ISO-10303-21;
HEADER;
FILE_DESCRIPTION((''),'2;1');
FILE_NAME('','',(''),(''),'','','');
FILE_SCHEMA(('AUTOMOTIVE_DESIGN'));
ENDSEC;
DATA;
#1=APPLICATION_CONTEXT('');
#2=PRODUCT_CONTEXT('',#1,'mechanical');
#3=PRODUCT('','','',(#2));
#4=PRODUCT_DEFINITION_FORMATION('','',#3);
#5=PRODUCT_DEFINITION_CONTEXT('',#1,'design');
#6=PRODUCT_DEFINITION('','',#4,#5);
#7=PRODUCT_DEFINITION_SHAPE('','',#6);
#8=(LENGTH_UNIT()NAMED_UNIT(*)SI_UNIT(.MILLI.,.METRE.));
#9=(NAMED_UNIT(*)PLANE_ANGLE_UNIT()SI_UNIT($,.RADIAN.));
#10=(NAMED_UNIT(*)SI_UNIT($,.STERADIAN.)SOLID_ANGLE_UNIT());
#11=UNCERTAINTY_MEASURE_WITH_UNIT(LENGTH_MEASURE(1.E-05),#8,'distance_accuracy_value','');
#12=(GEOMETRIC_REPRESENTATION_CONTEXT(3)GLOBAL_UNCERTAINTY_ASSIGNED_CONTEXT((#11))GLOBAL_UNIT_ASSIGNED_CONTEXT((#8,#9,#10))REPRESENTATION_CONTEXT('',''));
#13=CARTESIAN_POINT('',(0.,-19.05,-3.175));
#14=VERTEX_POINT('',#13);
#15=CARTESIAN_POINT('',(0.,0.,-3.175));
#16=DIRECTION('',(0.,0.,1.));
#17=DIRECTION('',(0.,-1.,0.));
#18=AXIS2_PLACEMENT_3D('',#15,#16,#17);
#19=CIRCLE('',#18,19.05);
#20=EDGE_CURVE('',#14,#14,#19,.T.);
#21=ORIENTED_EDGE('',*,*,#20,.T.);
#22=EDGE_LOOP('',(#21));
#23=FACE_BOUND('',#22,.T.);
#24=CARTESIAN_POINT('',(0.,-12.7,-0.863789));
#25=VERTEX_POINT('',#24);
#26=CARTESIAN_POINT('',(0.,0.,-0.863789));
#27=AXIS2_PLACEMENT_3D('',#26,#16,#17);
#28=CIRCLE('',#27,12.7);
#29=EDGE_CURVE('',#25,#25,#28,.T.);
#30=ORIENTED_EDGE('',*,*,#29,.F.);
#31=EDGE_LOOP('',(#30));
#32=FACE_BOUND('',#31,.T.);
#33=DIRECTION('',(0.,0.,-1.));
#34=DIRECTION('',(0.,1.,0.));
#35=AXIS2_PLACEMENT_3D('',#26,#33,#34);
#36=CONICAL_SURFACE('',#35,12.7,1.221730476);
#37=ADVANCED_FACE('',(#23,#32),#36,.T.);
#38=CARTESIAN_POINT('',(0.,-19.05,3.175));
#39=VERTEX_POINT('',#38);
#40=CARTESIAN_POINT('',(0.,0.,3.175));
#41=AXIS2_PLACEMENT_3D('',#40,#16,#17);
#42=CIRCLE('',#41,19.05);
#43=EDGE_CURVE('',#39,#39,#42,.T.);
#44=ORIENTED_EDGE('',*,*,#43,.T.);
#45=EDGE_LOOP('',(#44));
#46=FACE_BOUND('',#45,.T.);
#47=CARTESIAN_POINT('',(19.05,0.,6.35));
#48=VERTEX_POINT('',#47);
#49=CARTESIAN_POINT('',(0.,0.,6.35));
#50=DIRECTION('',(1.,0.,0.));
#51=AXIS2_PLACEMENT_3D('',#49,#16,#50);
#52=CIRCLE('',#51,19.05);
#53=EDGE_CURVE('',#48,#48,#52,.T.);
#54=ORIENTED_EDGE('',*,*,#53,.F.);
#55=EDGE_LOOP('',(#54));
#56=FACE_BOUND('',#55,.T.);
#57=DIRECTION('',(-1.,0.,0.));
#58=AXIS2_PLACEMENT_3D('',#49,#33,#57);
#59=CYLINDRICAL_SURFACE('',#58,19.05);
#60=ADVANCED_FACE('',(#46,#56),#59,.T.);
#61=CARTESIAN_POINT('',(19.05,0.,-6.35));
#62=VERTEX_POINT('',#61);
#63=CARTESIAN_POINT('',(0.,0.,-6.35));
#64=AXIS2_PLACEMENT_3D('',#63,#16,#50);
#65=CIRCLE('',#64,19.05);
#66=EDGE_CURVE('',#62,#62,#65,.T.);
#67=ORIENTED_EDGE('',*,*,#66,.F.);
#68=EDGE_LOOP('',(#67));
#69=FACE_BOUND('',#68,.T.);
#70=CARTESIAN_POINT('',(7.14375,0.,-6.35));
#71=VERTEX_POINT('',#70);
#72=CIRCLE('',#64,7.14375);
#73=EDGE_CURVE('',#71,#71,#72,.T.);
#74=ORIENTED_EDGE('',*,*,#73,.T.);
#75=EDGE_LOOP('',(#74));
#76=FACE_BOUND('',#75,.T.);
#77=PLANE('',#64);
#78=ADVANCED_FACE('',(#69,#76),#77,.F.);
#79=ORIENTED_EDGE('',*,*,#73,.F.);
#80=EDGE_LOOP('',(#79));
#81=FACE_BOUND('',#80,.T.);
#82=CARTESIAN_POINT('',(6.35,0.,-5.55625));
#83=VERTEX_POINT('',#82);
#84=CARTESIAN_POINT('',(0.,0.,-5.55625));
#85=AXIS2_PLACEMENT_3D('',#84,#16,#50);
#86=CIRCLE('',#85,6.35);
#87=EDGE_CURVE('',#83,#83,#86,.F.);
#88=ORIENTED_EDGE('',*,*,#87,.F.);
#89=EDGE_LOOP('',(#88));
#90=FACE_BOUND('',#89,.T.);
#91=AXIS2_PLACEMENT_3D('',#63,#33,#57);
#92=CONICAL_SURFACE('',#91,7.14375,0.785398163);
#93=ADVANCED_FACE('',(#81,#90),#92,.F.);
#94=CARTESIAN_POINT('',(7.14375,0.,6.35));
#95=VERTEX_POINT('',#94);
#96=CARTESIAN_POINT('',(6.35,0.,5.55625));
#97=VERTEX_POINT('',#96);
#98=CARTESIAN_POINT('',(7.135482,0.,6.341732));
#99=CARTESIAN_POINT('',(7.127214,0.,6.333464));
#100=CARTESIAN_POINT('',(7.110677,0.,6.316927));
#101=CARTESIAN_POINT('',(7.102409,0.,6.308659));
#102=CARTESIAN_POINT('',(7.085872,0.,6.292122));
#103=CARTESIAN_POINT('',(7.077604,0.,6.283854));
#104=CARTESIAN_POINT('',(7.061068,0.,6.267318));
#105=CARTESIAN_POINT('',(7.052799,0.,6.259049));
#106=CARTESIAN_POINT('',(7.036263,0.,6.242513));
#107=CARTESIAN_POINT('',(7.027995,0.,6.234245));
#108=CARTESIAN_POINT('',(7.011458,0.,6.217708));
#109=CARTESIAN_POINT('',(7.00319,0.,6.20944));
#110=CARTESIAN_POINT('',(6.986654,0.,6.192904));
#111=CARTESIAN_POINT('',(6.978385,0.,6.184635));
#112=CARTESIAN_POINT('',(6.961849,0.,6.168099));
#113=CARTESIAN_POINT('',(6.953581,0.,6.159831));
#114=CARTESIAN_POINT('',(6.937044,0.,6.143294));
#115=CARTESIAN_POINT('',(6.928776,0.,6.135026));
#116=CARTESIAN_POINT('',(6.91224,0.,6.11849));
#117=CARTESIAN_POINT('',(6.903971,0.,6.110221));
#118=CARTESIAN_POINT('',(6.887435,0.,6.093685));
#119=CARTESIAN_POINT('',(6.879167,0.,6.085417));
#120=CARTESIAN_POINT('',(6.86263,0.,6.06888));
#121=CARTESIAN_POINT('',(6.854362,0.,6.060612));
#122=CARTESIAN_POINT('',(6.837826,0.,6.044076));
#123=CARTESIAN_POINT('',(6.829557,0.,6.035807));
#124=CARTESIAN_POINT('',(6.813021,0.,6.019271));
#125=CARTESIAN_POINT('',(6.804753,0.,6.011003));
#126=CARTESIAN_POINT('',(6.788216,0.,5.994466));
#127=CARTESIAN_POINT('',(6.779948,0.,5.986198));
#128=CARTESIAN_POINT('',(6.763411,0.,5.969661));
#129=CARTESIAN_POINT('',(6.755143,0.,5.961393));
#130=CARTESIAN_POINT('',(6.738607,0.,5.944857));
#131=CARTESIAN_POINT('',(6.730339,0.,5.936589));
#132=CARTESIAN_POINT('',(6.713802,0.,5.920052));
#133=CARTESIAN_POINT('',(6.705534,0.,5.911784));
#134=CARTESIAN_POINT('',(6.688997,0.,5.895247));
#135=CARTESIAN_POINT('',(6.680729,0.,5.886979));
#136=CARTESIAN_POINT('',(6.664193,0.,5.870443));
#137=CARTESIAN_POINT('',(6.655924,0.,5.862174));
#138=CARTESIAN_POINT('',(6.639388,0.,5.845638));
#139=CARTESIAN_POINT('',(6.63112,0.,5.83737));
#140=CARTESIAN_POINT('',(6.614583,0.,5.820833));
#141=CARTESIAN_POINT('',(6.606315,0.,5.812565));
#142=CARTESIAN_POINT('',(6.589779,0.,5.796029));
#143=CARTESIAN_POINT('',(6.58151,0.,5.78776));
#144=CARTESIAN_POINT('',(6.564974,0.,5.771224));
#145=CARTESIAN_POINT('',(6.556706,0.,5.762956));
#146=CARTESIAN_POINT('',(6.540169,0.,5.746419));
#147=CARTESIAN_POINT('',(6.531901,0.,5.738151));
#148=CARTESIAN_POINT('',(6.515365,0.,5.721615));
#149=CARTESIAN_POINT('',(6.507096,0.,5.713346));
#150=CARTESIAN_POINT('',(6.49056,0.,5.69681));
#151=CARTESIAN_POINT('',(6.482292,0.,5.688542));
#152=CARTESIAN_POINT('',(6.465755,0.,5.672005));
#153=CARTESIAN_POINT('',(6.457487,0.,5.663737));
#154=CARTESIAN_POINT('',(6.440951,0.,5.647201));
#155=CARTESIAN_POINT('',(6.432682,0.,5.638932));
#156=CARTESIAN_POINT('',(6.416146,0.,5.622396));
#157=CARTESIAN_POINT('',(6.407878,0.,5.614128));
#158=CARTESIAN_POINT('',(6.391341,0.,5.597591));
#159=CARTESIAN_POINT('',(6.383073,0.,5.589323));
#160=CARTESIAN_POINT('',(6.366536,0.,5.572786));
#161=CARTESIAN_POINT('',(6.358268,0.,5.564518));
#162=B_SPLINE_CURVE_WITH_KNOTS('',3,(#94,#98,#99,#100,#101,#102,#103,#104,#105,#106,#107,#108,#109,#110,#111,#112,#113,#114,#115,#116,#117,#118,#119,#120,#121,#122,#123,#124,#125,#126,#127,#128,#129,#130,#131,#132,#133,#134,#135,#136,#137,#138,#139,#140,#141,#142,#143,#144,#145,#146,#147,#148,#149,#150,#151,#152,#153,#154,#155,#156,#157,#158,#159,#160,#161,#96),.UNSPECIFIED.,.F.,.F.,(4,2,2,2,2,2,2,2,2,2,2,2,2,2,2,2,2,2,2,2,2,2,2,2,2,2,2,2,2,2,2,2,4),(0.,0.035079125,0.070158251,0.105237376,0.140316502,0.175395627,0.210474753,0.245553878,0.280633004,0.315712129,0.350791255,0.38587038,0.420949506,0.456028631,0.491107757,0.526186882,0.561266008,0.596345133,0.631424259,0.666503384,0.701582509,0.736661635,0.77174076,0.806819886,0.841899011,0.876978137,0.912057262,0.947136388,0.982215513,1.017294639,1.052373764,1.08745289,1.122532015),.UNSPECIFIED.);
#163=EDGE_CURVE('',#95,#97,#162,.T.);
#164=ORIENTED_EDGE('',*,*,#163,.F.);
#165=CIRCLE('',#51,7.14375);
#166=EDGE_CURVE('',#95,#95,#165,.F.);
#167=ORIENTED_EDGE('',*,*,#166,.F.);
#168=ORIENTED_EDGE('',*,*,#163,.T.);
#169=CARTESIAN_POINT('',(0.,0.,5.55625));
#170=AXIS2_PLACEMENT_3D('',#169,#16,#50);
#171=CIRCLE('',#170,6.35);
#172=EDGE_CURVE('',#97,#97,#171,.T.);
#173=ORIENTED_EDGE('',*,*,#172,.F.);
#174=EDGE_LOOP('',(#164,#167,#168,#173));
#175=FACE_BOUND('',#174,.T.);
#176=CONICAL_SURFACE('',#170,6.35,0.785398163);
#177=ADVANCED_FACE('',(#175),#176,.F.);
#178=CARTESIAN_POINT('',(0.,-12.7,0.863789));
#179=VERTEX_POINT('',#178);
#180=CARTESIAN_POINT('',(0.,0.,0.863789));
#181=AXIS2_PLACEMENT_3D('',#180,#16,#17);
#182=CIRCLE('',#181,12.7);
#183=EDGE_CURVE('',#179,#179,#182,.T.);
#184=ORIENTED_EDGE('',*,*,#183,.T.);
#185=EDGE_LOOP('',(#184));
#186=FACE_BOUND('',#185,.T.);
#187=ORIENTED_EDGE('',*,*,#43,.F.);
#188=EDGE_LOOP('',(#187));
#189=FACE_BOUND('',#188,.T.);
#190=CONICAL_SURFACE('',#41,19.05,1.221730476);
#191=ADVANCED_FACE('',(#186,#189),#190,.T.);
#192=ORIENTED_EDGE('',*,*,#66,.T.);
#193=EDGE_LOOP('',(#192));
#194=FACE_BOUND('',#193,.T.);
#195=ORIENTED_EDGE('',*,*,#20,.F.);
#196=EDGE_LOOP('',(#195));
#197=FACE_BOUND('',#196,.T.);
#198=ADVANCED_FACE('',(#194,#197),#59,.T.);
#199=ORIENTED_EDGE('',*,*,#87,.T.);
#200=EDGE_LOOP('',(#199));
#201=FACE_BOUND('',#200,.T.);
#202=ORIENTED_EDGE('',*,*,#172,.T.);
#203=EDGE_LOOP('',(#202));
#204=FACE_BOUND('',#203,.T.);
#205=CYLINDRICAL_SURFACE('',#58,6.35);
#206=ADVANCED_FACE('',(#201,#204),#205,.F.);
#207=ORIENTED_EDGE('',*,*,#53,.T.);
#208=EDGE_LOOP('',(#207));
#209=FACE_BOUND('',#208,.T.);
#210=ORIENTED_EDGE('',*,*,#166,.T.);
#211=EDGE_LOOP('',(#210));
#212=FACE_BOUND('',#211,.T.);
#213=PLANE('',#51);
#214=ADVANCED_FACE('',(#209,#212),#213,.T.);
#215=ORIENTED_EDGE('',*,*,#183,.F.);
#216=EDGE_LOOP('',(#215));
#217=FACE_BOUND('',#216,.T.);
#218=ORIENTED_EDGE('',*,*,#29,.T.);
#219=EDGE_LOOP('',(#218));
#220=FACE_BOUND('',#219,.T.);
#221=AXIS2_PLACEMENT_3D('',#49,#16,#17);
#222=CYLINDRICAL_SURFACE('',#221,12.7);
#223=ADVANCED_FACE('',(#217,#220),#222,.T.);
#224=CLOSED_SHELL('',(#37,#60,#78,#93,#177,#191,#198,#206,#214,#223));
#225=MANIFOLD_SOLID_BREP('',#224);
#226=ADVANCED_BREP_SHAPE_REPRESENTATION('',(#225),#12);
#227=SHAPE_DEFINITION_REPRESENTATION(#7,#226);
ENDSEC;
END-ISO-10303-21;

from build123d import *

# Parameters (mm, degrees)
SKETCH1_R      = 19.05
SKETCH1_R_2    = 6.35
EXTRUDE1_DEPTH = 6.35
CHAMFER1_SIZE  = 0.79375


with BuildPart() as part:
    # Sketch1 → Extrude1 (new, symmetric)
    with BuildSketch(Plane.XY):
        Circle(SKETCH1_R)
        Circle(SKETCH1_R_2, mode=Mode.SUBTRACT)
    extrude(amount=EXTRUDE1_DEPTH, both=True)

    # Chamfer1
    chamfer1_edges = [part.edges().sort_by_distance(p)[0] for p in [
        (-6.35, 0, -6.35),
        (-6.35, 0, 6.35),
    ]]
    chamfer(chamfer1_edges, length=CHAMFER1_SIZE)

    # Sketch2 → Cut-Revolve1 (revolve, cut)
    with BuildSketch(Plane(origin=(0, 0, 0), x_dir=(0, 0, -1), z_dir=(1, 0, 0)), mode=Mode.PRIVATE) as cut_revolve1_sk:
        Polygon((-3.175, 19.05), (3.175, 19.05), (0.863789012, 12.7), (-0.863789012, 12.7), align=None)
    revolve(cut_revolve1_sk.sketch.rotate(Axis((0, 0, 6.35), (0, 0, -1)), 180), axis=Axis((0, 0, 6.35), (0, 0, -1)), mode=Mode.SUBTRACT)


solid = part.part
